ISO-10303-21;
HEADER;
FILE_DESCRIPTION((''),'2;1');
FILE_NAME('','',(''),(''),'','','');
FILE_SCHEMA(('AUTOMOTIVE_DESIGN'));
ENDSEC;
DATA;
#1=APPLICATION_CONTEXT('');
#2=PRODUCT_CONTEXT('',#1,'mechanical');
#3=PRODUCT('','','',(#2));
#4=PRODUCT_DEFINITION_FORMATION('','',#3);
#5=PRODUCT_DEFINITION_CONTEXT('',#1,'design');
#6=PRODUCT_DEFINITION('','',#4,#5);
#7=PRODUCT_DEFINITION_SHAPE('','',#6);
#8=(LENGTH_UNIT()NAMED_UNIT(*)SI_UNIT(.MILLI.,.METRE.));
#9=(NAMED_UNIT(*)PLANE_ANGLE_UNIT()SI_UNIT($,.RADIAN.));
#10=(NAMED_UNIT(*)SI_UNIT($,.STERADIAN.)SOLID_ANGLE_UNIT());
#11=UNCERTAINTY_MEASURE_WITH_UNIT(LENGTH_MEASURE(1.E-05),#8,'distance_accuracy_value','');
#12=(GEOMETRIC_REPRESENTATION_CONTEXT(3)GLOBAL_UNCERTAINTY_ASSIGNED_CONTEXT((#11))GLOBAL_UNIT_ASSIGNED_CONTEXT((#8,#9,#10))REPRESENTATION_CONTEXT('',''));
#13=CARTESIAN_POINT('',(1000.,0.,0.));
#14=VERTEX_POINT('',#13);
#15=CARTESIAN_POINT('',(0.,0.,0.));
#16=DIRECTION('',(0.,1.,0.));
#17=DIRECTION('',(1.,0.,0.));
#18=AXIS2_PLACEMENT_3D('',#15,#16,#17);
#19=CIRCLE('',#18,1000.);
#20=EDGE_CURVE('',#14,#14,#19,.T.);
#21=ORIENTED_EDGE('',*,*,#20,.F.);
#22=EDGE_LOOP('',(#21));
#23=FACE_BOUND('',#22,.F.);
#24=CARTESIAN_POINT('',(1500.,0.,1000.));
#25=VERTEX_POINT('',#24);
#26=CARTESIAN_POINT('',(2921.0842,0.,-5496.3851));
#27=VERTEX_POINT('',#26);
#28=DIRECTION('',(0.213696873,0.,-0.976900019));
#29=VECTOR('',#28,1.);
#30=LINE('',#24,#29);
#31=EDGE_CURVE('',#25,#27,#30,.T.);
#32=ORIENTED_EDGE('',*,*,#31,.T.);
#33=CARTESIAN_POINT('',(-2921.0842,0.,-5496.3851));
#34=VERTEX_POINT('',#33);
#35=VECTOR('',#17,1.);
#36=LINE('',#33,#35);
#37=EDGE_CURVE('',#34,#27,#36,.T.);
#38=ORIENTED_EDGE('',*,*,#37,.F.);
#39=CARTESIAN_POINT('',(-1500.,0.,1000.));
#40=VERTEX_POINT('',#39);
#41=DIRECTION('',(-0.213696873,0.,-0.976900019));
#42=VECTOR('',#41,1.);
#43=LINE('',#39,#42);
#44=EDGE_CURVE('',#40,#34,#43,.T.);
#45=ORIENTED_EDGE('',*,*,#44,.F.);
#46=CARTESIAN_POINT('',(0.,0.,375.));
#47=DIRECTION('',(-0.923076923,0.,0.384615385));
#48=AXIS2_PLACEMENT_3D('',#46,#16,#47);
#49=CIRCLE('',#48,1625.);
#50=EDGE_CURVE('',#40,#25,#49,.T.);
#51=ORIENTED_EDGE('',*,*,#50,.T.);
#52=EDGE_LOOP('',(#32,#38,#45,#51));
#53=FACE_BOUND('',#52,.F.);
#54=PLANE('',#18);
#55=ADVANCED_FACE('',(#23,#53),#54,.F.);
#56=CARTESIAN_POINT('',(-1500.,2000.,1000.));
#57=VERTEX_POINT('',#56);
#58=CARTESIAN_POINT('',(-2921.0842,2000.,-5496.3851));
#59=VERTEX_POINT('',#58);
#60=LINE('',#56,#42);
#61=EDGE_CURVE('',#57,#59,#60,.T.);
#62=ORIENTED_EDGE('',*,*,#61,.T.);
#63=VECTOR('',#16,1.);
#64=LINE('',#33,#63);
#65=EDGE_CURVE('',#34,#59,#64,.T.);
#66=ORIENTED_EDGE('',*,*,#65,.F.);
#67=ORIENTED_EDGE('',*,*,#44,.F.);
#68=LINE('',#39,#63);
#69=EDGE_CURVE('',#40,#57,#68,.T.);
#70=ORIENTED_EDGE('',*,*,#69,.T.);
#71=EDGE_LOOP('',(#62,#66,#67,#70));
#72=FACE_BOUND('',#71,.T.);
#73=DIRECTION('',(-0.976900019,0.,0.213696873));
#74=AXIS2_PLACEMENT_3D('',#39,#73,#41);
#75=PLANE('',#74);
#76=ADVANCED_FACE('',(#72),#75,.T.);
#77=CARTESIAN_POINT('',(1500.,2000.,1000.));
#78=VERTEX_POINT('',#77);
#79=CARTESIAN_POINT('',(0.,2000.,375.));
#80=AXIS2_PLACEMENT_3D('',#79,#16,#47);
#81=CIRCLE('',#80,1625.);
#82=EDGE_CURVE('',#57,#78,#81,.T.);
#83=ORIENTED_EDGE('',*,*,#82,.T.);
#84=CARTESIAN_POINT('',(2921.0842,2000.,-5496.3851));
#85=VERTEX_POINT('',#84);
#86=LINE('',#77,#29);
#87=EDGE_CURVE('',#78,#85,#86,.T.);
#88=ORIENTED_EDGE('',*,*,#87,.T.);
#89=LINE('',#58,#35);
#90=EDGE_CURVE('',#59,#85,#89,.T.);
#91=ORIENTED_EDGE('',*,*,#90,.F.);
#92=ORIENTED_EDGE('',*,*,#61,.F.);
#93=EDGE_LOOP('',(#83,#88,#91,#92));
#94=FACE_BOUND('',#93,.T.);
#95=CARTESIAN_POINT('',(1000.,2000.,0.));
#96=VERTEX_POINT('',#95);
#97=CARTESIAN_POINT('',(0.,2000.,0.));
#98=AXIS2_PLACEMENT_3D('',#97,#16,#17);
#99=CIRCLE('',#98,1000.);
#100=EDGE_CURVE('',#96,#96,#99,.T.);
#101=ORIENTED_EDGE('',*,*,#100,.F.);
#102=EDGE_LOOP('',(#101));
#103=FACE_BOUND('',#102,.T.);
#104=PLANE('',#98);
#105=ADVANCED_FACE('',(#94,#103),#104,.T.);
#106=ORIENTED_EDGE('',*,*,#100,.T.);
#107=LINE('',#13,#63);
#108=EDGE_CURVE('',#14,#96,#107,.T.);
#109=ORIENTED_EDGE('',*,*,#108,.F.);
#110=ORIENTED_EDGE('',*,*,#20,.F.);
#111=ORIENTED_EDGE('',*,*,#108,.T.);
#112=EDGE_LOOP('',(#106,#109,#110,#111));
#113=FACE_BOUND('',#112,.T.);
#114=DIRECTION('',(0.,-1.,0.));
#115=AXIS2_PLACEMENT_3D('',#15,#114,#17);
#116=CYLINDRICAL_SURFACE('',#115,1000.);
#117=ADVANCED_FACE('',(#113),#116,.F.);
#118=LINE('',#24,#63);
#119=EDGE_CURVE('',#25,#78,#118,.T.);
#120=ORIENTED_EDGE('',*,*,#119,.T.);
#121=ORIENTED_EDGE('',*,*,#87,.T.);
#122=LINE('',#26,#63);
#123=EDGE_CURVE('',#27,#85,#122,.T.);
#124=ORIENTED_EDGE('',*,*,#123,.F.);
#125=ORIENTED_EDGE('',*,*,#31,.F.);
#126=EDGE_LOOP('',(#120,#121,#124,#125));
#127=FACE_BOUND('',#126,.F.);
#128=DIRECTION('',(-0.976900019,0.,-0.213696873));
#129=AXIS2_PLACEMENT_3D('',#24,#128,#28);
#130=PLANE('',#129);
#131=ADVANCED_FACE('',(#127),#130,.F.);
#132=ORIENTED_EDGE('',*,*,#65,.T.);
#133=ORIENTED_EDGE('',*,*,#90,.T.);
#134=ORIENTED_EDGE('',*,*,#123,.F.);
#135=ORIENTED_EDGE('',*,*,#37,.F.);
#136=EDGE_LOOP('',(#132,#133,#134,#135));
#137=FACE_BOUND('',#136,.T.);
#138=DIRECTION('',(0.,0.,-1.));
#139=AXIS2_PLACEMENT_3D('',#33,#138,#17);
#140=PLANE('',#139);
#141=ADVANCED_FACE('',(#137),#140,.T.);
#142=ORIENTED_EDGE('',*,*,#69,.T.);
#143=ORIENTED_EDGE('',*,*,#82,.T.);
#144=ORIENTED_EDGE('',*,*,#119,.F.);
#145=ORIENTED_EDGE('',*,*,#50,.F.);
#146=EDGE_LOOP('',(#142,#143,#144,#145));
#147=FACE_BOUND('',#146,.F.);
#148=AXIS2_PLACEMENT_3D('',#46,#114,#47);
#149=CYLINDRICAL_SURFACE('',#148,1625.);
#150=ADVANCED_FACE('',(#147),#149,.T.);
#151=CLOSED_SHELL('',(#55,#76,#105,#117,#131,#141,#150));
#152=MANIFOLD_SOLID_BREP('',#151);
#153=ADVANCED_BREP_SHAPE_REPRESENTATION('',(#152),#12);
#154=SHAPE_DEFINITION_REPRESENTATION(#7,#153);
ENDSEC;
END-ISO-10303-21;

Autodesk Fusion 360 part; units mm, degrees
sketch "Sketch1" plane through (0, 0, 0) normal (0, 1, 0) x (1, 0, 0)
  circle A0 centre (0, 0) radius 1000
  arc A1 (-1500, -1000) -> (1500, -1000) centre (0, -375) ccw
  line L0 (-1500, -1000) -> (-2921.0842, 5496.3851)
  line L1 (0, -2600) -> (0, 5800) construction
  line L2 (1500, -1000) -> (2921.0842, 5496.3851)
  line L3 (-2921.0842, 5496.3851) -> (2921.0842, 5496.3851)
extrude "Extrude1" add sketch "Sketch1" along normal blind 2000
